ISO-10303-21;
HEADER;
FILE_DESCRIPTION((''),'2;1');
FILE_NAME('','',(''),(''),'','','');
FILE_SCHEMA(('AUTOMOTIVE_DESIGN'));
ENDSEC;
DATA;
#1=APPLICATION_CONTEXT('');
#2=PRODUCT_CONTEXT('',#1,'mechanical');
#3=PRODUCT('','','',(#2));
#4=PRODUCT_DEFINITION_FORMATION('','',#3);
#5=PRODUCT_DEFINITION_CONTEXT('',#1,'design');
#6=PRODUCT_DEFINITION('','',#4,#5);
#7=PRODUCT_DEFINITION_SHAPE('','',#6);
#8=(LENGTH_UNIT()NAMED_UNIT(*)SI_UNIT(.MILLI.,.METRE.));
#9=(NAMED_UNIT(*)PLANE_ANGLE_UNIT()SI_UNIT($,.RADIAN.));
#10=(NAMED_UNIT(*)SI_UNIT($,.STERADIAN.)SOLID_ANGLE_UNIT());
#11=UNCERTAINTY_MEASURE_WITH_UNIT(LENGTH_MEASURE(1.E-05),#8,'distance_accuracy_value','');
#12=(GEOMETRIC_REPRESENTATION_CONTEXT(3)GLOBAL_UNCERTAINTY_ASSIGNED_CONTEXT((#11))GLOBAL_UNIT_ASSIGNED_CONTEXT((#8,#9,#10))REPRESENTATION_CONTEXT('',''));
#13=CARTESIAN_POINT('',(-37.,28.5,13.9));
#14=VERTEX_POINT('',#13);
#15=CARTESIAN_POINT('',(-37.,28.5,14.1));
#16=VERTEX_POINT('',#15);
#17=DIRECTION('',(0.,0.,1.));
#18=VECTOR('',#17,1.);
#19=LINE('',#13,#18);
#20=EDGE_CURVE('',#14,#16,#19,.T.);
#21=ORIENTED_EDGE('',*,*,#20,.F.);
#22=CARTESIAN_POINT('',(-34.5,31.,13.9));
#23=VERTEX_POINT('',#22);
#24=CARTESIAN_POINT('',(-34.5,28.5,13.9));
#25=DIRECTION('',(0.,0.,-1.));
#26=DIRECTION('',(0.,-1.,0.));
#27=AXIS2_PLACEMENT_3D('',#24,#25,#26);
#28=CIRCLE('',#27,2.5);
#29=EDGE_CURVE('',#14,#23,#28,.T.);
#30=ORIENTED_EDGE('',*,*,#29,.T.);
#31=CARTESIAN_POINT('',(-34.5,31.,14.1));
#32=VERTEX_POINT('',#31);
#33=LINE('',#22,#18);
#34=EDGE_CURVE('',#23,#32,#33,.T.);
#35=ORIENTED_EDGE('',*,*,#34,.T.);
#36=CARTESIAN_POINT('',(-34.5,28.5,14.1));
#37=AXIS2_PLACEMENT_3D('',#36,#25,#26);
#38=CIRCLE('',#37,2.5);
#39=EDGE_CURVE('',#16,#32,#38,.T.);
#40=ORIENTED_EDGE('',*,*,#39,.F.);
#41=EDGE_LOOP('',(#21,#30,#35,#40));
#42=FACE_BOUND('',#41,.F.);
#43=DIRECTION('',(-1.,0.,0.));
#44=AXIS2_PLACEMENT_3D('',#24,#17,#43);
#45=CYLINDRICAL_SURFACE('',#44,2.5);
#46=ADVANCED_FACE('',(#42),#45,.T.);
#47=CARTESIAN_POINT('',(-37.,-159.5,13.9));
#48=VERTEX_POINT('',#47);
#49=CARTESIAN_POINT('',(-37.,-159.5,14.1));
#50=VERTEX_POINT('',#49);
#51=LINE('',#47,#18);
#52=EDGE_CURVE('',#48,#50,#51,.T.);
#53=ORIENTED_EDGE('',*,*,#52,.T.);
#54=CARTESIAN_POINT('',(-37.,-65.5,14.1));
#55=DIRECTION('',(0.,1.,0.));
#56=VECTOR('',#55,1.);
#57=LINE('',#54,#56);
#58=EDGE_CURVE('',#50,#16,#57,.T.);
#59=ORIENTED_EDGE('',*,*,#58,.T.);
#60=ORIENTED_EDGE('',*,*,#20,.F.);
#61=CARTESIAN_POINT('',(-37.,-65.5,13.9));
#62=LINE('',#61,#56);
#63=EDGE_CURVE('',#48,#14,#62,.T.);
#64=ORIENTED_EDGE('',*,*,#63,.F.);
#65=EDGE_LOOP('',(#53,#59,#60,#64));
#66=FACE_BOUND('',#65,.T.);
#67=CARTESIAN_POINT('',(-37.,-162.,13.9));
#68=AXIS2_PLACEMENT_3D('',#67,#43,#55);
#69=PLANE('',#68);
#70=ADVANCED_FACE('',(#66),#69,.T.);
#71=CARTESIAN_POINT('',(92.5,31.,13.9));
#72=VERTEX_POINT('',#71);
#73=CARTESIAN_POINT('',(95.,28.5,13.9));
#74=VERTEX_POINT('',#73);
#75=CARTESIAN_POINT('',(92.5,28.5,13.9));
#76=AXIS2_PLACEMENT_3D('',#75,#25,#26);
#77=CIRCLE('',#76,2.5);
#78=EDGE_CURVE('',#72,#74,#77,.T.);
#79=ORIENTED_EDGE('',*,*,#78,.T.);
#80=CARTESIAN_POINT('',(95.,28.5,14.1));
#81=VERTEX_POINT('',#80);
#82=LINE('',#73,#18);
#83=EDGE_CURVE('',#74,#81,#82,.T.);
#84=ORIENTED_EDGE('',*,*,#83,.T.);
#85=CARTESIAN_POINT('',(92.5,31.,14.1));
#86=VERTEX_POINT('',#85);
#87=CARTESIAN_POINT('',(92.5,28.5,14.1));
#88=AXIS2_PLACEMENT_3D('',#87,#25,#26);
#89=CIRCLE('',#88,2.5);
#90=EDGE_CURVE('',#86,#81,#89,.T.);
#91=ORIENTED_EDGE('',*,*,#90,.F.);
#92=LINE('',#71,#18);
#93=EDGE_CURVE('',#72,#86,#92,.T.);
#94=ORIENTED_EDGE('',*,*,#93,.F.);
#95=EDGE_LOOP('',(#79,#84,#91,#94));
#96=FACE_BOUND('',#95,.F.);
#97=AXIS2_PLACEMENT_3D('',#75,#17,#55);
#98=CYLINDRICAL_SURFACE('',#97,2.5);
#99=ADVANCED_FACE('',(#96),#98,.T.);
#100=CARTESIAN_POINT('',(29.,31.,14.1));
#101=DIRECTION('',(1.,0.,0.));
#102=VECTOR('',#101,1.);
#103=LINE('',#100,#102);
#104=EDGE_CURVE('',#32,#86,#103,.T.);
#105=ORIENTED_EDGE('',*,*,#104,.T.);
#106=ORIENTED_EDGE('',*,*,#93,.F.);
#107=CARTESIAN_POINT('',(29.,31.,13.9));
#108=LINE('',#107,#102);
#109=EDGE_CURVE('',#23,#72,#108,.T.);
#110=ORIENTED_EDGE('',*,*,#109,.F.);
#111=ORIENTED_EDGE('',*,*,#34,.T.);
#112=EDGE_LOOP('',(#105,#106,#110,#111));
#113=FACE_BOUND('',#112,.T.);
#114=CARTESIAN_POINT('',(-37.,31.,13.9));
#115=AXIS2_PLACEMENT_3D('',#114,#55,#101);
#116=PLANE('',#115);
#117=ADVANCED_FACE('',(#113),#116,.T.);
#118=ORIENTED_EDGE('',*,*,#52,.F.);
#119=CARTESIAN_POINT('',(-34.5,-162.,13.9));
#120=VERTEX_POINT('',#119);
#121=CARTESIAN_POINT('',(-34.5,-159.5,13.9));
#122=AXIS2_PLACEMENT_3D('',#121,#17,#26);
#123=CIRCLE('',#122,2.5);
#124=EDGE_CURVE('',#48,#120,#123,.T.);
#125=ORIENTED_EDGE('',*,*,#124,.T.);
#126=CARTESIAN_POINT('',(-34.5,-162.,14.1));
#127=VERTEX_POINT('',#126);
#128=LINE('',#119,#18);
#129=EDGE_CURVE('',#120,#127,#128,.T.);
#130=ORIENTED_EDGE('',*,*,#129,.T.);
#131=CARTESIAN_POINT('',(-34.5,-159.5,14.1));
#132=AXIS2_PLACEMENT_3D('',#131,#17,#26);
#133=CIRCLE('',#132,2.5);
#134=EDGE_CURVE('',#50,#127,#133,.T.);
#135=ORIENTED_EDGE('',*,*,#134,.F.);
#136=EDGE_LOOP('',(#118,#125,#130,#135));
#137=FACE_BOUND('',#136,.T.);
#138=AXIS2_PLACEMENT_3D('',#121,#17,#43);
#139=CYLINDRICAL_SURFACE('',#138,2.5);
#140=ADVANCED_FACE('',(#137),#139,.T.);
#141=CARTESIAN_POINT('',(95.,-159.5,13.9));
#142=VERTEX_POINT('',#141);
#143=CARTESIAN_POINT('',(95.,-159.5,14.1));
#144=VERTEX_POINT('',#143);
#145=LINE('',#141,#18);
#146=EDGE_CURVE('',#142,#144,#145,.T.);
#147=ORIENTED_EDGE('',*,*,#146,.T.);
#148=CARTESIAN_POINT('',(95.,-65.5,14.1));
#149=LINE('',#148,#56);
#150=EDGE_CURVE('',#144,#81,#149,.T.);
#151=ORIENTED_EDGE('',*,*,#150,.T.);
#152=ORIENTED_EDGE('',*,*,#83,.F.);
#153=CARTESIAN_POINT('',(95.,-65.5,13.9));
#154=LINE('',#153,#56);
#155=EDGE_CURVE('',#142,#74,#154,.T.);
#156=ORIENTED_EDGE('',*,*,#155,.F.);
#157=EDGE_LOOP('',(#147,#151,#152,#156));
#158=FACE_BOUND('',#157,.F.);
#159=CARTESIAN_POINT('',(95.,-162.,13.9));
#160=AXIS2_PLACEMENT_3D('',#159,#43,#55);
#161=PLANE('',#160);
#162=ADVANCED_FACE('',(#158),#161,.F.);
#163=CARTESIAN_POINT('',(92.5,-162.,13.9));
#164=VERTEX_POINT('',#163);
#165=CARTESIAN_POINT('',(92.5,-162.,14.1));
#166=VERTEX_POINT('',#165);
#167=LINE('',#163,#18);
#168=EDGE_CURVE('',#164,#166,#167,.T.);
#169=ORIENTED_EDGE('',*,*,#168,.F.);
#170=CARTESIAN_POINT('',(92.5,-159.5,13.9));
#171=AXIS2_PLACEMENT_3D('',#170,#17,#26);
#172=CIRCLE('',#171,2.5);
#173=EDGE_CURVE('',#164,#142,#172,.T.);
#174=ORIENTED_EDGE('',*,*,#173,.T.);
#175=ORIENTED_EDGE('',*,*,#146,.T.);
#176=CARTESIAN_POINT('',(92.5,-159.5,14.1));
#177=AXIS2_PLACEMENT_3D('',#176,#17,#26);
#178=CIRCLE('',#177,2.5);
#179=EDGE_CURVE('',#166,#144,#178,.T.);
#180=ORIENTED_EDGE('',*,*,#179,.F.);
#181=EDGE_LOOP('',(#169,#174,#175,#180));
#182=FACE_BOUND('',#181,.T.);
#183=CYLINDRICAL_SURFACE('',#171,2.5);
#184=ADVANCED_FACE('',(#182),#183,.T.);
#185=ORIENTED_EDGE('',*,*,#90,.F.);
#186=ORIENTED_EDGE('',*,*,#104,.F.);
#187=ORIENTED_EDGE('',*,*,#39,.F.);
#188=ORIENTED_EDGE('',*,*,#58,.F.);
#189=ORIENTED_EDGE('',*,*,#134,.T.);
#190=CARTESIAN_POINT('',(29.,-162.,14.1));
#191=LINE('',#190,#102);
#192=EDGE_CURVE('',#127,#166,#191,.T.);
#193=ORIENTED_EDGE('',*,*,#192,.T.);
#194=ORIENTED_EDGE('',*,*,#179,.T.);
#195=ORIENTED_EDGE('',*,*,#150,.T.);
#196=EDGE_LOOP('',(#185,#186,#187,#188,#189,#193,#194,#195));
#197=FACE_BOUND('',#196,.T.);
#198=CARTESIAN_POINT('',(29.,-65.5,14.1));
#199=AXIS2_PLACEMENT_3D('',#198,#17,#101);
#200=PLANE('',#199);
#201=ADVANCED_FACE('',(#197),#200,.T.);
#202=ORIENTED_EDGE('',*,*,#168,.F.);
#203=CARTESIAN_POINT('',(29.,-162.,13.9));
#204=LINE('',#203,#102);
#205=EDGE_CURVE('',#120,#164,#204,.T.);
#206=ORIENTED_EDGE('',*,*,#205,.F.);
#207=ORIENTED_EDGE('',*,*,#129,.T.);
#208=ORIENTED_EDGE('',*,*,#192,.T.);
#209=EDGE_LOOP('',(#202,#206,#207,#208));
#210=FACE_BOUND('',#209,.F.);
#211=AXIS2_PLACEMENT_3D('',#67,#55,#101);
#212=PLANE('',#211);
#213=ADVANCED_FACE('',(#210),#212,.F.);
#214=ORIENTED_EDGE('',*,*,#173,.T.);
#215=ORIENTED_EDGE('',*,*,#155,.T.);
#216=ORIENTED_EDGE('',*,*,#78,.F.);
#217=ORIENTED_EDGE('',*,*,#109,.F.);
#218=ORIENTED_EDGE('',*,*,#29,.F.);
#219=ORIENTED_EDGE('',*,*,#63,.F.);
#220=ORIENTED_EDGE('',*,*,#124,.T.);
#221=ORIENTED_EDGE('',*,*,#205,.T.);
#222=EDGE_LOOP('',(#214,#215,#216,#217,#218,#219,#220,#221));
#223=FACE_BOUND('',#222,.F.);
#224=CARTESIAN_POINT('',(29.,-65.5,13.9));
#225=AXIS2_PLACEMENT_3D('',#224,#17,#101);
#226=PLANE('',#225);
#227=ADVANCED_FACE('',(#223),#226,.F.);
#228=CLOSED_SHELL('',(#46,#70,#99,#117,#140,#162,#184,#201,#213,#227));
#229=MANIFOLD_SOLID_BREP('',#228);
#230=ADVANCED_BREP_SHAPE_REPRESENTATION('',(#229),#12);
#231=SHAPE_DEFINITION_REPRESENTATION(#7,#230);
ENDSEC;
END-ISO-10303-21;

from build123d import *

# Parameters (mm, degrees)
BOX003_W     = 132
BOX003_H     = 193
BOX003_DEPTH = 0.2
FILLET001_R  = 2.5
FILLET002_R  = 2.5
FILLET003_R  = 2.5
FILLET004_R  = 2.5


with BuildPart() as part:
    # Box003 → Box003 (new body)
    with BuildSketch(Plane(origin=(-37, -162, 13.9), x_dir=(1, 0, 0), z_dir=(0, 0, 1))):
        with Locations((66, 96.5)):
            Rectangle(BOX003_W, BOX003_H)
    extrude(amount=BOX003_DEPTH)

    # Fillet001
    fillet001_edges = [part.edges().sort_by_distance(p)[0] for p in [
        (-37, 31, 14),
    ]]
    fillet(fillet001_edges, radius=FILLET001_R)

    # Fillet002
    fillet002_edges = [part.edges().sort_by_distance(p)[0] for p in [
        (95, 31, 14),
    ]]
    fillet(fillet002_edges, radius=FILLET002_R)

    # Fillet003
    fillet003_edges = [part.edges().sort_by_distance(p)[0] for p in [
        (-37, -162, 14),
    ]]
    fillet(fillet003_edges, radius=FILLET003_R)

    # Fillet004
    fillet004_edges = [part.edges().sort_by_distance(p)[0] for p in [
        (95, -162, 14),
    ]]
    fillet(fillet004_edges, radius=FILLET004_R)


solid = part.part
